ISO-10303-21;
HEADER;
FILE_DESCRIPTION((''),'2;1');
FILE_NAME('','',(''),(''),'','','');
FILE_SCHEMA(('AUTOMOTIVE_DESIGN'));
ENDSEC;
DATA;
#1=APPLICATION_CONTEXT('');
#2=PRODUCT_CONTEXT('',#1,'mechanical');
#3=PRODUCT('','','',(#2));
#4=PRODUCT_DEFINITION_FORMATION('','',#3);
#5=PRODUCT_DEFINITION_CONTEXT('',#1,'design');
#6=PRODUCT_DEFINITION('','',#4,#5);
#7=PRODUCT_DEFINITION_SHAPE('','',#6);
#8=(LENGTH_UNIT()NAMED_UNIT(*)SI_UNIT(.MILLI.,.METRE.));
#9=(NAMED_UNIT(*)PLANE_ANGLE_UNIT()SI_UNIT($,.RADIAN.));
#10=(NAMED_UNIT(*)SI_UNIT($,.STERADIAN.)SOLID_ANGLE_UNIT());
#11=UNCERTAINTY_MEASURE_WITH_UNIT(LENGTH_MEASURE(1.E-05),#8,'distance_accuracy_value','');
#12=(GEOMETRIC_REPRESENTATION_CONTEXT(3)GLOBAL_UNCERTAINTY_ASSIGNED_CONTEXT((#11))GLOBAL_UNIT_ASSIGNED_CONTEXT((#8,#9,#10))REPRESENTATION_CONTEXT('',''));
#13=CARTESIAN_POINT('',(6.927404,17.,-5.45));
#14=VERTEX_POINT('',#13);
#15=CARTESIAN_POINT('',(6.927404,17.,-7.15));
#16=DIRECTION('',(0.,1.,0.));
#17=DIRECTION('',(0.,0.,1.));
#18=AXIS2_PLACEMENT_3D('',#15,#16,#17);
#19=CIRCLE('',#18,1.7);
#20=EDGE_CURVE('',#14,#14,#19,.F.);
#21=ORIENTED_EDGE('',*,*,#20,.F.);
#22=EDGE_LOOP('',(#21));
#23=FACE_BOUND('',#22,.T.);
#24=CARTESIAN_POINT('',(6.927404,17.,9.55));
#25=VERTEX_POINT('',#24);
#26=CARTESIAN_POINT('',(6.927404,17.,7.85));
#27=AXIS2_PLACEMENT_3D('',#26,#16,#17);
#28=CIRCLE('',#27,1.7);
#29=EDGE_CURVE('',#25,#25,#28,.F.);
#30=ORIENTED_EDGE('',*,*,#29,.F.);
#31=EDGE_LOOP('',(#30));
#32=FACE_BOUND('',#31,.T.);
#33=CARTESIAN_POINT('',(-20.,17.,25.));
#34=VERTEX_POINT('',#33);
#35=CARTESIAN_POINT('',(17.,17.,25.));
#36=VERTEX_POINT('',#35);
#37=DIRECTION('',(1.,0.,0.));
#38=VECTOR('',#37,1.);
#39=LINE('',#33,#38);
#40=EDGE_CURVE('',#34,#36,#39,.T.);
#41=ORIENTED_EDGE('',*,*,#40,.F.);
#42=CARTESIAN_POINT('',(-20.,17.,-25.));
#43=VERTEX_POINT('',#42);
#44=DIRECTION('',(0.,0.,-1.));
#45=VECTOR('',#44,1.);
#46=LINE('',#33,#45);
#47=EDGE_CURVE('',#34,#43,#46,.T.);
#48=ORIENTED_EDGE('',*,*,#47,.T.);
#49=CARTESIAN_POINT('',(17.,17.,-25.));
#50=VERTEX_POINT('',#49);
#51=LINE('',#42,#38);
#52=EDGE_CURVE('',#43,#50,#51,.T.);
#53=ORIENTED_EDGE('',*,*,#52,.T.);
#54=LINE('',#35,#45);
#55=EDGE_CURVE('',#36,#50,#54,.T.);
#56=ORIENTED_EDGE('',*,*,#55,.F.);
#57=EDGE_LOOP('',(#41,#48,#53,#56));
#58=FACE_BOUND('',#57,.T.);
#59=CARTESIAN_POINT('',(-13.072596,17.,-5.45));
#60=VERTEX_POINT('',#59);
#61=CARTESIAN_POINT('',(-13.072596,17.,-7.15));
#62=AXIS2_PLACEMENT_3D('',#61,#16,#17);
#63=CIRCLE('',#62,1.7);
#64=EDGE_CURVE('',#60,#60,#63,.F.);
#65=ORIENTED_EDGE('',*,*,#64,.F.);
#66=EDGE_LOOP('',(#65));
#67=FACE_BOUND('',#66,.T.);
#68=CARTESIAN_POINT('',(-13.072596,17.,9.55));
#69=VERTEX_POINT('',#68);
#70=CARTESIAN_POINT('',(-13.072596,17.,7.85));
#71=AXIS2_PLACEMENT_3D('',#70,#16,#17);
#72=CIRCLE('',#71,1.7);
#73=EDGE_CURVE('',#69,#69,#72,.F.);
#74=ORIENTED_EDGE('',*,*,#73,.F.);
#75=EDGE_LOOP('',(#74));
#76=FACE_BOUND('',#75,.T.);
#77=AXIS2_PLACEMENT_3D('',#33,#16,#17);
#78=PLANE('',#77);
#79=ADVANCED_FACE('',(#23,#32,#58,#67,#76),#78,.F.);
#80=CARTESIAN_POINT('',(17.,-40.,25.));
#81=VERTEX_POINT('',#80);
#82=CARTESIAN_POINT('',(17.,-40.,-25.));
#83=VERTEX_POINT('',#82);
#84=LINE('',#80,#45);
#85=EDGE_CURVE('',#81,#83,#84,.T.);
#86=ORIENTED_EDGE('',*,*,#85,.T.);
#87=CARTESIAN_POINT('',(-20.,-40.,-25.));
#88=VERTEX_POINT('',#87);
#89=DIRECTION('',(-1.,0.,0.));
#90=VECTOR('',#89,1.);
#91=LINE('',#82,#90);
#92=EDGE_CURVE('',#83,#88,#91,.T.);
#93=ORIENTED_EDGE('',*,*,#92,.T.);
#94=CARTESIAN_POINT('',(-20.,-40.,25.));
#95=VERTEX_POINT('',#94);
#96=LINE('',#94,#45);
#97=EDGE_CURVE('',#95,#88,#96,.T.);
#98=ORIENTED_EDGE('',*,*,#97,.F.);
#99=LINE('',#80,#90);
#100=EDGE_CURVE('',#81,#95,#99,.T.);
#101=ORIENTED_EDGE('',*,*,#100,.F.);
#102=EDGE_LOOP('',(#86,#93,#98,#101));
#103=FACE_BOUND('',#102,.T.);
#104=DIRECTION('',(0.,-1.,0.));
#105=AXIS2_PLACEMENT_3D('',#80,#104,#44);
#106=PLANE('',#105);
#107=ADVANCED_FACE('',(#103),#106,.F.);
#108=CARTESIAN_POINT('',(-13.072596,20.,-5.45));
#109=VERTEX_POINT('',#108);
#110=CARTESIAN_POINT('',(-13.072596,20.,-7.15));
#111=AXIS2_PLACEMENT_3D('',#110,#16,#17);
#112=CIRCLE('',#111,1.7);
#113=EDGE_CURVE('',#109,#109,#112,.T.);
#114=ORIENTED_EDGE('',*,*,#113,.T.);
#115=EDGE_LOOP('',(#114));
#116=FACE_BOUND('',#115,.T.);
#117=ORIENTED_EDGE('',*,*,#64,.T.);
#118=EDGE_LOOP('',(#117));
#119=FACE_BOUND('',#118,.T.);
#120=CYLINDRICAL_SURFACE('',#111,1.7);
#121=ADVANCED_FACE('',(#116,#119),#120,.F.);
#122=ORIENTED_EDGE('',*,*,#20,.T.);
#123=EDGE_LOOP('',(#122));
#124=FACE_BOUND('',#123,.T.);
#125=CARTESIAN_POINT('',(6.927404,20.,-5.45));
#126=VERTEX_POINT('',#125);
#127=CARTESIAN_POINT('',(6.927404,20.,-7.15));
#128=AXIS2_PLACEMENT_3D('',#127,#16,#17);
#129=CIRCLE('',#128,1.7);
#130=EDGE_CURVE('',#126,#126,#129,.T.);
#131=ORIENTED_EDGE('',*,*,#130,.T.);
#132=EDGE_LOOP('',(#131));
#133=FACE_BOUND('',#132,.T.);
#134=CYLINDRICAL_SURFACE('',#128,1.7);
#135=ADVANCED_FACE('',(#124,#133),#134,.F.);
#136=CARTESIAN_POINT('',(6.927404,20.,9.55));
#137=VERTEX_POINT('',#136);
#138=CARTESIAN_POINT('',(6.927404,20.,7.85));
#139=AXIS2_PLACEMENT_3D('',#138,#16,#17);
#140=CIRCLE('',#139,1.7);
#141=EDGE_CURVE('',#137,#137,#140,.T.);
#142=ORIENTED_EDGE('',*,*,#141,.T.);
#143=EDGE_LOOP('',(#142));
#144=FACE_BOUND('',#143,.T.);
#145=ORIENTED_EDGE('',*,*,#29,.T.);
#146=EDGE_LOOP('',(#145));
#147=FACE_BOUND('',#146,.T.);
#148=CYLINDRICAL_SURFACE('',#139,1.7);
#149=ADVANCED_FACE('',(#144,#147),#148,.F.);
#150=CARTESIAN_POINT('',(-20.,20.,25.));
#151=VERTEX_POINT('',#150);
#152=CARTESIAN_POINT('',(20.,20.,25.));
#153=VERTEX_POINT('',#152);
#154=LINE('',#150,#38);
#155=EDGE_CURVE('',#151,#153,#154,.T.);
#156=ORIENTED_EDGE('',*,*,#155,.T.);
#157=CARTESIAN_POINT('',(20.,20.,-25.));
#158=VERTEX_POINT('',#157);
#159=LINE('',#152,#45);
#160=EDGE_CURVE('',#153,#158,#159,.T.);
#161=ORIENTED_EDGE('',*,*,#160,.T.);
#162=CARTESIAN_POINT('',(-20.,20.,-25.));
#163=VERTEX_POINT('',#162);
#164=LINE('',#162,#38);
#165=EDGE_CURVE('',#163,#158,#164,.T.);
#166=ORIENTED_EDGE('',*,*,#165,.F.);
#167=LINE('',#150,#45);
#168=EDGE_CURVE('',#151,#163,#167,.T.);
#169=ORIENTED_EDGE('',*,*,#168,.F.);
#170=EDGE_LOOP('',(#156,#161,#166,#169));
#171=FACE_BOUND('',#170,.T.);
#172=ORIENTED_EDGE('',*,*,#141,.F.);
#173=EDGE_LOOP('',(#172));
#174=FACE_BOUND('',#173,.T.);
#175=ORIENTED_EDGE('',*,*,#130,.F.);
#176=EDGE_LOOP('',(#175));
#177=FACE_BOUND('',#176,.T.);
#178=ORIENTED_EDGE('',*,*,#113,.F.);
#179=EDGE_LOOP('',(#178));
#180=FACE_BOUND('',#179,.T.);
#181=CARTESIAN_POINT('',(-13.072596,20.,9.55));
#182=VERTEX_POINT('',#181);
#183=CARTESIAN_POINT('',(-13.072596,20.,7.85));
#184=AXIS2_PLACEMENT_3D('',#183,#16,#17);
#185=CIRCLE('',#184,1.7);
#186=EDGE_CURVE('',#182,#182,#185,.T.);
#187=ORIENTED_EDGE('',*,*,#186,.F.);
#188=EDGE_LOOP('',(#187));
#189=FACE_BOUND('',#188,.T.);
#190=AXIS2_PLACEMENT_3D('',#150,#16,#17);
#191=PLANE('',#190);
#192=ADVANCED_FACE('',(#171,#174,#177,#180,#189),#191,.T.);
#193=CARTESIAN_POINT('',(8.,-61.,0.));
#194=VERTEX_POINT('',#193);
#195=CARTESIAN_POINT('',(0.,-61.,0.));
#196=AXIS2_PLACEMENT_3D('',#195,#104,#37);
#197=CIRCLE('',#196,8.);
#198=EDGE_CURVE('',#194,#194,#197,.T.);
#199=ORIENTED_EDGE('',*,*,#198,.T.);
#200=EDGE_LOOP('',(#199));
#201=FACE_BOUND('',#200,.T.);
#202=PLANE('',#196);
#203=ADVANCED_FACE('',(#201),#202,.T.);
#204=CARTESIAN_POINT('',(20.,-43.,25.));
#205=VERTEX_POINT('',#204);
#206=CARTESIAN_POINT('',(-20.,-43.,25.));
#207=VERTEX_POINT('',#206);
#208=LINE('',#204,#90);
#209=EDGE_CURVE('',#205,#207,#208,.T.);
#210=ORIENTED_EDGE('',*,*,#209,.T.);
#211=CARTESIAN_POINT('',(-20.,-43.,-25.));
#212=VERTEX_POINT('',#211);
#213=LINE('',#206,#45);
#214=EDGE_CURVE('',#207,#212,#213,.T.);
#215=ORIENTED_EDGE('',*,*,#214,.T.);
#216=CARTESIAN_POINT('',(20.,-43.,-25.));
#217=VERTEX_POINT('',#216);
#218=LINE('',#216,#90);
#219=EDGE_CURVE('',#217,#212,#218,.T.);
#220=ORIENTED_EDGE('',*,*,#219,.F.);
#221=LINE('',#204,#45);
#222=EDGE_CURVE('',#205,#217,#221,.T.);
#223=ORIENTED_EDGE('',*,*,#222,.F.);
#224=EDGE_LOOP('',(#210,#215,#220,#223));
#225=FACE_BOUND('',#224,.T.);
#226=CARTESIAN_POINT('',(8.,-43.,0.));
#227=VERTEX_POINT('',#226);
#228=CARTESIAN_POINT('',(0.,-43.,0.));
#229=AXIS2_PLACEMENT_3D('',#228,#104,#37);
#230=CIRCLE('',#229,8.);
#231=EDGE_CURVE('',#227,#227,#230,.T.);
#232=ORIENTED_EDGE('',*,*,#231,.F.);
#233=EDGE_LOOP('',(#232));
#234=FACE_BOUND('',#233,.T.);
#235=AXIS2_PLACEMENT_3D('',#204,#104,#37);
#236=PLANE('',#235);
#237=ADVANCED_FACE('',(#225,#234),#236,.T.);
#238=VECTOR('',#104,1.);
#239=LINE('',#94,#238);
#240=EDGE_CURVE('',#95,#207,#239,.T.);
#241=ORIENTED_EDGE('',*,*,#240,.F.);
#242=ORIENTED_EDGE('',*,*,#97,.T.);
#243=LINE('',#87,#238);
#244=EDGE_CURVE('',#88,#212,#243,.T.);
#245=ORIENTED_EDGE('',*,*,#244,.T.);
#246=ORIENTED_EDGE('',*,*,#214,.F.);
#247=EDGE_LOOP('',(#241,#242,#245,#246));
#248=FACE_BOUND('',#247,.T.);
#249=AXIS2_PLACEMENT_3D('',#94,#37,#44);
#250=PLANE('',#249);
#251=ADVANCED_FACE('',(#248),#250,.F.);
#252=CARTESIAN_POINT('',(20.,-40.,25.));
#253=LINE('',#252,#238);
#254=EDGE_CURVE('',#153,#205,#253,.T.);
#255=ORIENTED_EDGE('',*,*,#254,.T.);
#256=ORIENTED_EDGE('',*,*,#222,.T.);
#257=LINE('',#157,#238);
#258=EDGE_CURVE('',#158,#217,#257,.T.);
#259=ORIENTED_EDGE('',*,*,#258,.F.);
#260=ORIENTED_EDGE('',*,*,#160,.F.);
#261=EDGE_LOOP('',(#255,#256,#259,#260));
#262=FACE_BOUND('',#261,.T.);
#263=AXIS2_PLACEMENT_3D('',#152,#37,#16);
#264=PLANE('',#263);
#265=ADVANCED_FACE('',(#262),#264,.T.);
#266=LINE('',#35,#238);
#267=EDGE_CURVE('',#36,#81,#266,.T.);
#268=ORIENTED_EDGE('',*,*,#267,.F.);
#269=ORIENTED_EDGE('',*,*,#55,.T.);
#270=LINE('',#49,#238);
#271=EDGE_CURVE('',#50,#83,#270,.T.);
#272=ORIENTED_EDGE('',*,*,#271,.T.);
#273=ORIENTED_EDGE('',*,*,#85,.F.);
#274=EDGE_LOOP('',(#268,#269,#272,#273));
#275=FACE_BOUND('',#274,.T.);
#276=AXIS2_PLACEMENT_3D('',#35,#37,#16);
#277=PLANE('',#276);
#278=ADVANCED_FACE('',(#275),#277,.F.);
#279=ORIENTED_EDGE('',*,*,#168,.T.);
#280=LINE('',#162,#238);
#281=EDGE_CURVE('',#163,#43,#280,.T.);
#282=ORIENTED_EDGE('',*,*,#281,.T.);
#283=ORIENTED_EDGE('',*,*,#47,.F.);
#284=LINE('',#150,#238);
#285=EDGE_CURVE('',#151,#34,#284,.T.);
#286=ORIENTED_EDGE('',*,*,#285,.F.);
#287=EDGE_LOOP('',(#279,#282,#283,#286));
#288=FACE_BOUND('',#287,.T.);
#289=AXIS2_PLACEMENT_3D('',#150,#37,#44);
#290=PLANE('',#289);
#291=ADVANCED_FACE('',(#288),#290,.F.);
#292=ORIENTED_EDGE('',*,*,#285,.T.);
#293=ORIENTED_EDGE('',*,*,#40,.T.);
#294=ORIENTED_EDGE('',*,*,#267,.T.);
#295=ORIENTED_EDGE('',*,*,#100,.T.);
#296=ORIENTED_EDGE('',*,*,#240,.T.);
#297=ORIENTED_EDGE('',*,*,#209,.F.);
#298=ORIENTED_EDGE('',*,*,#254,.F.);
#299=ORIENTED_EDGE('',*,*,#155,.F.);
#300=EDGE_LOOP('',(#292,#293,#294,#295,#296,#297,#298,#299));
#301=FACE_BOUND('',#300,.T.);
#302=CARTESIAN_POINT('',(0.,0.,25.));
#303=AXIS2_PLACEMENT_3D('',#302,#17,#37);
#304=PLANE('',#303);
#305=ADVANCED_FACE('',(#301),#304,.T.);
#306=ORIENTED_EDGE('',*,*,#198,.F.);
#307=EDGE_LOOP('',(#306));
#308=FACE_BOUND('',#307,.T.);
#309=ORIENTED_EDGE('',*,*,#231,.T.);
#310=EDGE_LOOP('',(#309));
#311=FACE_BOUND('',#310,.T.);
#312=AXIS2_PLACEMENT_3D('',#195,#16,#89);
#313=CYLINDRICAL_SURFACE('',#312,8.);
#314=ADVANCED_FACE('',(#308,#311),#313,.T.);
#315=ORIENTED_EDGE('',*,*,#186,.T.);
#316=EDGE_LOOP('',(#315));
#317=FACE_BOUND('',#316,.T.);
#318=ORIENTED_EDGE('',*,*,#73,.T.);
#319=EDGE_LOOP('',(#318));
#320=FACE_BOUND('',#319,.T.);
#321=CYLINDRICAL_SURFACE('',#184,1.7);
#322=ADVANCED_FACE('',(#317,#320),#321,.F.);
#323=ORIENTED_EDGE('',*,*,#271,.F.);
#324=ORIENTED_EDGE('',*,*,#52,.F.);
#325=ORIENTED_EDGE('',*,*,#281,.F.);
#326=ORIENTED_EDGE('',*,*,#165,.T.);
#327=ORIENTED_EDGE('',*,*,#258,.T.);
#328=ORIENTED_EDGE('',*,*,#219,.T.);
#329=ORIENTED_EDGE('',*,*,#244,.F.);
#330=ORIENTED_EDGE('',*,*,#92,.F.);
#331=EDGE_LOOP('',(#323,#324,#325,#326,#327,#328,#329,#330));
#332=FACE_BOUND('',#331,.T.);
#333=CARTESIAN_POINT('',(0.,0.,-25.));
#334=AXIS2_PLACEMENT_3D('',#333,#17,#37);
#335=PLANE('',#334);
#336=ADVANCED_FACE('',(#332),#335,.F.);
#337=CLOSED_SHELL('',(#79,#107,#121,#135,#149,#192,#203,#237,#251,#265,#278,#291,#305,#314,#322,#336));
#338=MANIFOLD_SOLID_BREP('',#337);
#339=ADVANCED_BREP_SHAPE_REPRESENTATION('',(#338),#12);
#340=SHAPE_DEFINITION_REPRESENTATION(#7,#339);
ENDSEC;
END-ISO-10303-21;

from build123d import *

# Parameters (mm, degrees)
BOSS_EXTRUDE1_DEPTH       = 25
SKETCH3_R                 = 8
BOSS_EXTRUDE2_DEPTH       = 18
M3_CLEARANCE_HOLE1_REACH  = 89.098
M3_CLEARANCE_HOLE1_BORE_R = 1.7


with BuildPart() as part:
    # Sketch2 → Boss-Extrude1 (new, symmetric)
    with BuildSketch(Plane.XY):
        Polygon((-20, 20), (20, 20), (20, -40), (20, -43), (-20, -43), (-20, -40), (17, -40), (17, 17), (-20, 17), align=None)
    extrude(amount=BOSS_EXTRUDE1_DEPTH, both=True)

    # Sketch3 → Boss-Extrude2 (add)
    with BuildSketch(Plane.XZ.offset(43)):
        Circle(SKETCH3_R)
    extrude(amount=BOSS_EXTRUDE2_DEPTH)

    # M3 Clearance Hole1 bore → M3 Clearance Hole1 (cut, up to next)
    with BuildSketch(Plane(origin=(0, 20, 0), x_dir=(1, 0, 0), z_dir=(0, 1, 0)), mode=Mode.PRIVATE) as m3_clearance_hole1_sk1:
        with Locations((-13.072595628, -7.85)):
            Circle(M3_CLEARANCE_HOLE1_BORE_R)
    m3_clearance_hole1_tool1 = extrude(m3_clearance_hole1_sk1.sketch, amount=-M3_CLEARANCE_HOLE1_REACH, mode=Mode.PRIVATE) & part.part
    # M3 Clearance Hole1 bore → M3 Clearance Hole1 (cut, up to next)
    with BuildSketch(Plane(origin=(0, 20, 0), x_dir=(1, 0, 0), z_dir=(0, 1, 0)), mode=Mode.PRIVATE) as m3_clearance_hole1_sk2:
        with Locations((-13.072595628, 7.15)):
            Circle(M3_CLEARANCE_HOLE1_BORE_R)
    m3_clearance_hole1_tool2 = extrude(m3_clearance_hole1_sk2.sketch, amount=-M3_CLEARANCE_HOLE1_REACH, mode=Mode.PRIVATE) & part.part
    # M3 Clearance Hole1 bore → M3 Clearance Hole1 (cut, up to next)
    with BuildSketch(Plane(origin=(0, 20, 0), x_dir=(1, 0, 0), z_dir=(0, 1, 0)), mode=Mode.PRIVATE) as m3_clearance_hole1_sk3:
        with Locations((6.927404372, -7.85)):
            Circle(M3_CLEARANCE_HOLE1_BORE_R)
    m3_clearance_hole1_tool3 = extrude(m3_clearance_hole1_sk3.sketch, amount=-M3_CLEARANCE_HOLE1_REACH, mode=Mode.PRIVATE) & part.part
    # M3 Clearance Hole1 bore → M3 Clearance Hole1 (cut, up to next)
    with BuildSketch(Plane(origin=(0, 20, 0), x_dir=(1, 0, 0), z_dir=(0, 1, 0)), mode=Mode.PRIVATE) as m3_clearance_hole1_sk4:
        with Locations((6.927404372, 7.15)):
            Circle(M3_CLEARANCE_HOLE1_BORE_R)
    m3_clearance_hole1_tool4 = extrude(m3_clearance_hole1_sk4.sketch, amount=-M3_CLEARANCE_HOLE1_REACH, mode=Mode.PRIVATE) & part.part
    add(m3_clearance_hole1_tool1.solids().sort_by_distance((-13.072596, 20, 7.85))[0], mode=Mode.SUBTRACT)
    add(m3_clearance_hole1_tool2.solids().sort_by_distance((-13.072596, 20, -7.15))[0], mode=Mode.SUBTRACT)
    add(m3_clearance_hole1_tool3.solids().sort_by_distance((6.927404, 20, 7.85))[0], mode=Mode.SUBTRACT)
    add(m3_clearance_hole1_tool4.solids().sort_by_distance((6.927404, 20, -7.15))[0], mode=Mode.SUBTRACT)


solid = part.part
